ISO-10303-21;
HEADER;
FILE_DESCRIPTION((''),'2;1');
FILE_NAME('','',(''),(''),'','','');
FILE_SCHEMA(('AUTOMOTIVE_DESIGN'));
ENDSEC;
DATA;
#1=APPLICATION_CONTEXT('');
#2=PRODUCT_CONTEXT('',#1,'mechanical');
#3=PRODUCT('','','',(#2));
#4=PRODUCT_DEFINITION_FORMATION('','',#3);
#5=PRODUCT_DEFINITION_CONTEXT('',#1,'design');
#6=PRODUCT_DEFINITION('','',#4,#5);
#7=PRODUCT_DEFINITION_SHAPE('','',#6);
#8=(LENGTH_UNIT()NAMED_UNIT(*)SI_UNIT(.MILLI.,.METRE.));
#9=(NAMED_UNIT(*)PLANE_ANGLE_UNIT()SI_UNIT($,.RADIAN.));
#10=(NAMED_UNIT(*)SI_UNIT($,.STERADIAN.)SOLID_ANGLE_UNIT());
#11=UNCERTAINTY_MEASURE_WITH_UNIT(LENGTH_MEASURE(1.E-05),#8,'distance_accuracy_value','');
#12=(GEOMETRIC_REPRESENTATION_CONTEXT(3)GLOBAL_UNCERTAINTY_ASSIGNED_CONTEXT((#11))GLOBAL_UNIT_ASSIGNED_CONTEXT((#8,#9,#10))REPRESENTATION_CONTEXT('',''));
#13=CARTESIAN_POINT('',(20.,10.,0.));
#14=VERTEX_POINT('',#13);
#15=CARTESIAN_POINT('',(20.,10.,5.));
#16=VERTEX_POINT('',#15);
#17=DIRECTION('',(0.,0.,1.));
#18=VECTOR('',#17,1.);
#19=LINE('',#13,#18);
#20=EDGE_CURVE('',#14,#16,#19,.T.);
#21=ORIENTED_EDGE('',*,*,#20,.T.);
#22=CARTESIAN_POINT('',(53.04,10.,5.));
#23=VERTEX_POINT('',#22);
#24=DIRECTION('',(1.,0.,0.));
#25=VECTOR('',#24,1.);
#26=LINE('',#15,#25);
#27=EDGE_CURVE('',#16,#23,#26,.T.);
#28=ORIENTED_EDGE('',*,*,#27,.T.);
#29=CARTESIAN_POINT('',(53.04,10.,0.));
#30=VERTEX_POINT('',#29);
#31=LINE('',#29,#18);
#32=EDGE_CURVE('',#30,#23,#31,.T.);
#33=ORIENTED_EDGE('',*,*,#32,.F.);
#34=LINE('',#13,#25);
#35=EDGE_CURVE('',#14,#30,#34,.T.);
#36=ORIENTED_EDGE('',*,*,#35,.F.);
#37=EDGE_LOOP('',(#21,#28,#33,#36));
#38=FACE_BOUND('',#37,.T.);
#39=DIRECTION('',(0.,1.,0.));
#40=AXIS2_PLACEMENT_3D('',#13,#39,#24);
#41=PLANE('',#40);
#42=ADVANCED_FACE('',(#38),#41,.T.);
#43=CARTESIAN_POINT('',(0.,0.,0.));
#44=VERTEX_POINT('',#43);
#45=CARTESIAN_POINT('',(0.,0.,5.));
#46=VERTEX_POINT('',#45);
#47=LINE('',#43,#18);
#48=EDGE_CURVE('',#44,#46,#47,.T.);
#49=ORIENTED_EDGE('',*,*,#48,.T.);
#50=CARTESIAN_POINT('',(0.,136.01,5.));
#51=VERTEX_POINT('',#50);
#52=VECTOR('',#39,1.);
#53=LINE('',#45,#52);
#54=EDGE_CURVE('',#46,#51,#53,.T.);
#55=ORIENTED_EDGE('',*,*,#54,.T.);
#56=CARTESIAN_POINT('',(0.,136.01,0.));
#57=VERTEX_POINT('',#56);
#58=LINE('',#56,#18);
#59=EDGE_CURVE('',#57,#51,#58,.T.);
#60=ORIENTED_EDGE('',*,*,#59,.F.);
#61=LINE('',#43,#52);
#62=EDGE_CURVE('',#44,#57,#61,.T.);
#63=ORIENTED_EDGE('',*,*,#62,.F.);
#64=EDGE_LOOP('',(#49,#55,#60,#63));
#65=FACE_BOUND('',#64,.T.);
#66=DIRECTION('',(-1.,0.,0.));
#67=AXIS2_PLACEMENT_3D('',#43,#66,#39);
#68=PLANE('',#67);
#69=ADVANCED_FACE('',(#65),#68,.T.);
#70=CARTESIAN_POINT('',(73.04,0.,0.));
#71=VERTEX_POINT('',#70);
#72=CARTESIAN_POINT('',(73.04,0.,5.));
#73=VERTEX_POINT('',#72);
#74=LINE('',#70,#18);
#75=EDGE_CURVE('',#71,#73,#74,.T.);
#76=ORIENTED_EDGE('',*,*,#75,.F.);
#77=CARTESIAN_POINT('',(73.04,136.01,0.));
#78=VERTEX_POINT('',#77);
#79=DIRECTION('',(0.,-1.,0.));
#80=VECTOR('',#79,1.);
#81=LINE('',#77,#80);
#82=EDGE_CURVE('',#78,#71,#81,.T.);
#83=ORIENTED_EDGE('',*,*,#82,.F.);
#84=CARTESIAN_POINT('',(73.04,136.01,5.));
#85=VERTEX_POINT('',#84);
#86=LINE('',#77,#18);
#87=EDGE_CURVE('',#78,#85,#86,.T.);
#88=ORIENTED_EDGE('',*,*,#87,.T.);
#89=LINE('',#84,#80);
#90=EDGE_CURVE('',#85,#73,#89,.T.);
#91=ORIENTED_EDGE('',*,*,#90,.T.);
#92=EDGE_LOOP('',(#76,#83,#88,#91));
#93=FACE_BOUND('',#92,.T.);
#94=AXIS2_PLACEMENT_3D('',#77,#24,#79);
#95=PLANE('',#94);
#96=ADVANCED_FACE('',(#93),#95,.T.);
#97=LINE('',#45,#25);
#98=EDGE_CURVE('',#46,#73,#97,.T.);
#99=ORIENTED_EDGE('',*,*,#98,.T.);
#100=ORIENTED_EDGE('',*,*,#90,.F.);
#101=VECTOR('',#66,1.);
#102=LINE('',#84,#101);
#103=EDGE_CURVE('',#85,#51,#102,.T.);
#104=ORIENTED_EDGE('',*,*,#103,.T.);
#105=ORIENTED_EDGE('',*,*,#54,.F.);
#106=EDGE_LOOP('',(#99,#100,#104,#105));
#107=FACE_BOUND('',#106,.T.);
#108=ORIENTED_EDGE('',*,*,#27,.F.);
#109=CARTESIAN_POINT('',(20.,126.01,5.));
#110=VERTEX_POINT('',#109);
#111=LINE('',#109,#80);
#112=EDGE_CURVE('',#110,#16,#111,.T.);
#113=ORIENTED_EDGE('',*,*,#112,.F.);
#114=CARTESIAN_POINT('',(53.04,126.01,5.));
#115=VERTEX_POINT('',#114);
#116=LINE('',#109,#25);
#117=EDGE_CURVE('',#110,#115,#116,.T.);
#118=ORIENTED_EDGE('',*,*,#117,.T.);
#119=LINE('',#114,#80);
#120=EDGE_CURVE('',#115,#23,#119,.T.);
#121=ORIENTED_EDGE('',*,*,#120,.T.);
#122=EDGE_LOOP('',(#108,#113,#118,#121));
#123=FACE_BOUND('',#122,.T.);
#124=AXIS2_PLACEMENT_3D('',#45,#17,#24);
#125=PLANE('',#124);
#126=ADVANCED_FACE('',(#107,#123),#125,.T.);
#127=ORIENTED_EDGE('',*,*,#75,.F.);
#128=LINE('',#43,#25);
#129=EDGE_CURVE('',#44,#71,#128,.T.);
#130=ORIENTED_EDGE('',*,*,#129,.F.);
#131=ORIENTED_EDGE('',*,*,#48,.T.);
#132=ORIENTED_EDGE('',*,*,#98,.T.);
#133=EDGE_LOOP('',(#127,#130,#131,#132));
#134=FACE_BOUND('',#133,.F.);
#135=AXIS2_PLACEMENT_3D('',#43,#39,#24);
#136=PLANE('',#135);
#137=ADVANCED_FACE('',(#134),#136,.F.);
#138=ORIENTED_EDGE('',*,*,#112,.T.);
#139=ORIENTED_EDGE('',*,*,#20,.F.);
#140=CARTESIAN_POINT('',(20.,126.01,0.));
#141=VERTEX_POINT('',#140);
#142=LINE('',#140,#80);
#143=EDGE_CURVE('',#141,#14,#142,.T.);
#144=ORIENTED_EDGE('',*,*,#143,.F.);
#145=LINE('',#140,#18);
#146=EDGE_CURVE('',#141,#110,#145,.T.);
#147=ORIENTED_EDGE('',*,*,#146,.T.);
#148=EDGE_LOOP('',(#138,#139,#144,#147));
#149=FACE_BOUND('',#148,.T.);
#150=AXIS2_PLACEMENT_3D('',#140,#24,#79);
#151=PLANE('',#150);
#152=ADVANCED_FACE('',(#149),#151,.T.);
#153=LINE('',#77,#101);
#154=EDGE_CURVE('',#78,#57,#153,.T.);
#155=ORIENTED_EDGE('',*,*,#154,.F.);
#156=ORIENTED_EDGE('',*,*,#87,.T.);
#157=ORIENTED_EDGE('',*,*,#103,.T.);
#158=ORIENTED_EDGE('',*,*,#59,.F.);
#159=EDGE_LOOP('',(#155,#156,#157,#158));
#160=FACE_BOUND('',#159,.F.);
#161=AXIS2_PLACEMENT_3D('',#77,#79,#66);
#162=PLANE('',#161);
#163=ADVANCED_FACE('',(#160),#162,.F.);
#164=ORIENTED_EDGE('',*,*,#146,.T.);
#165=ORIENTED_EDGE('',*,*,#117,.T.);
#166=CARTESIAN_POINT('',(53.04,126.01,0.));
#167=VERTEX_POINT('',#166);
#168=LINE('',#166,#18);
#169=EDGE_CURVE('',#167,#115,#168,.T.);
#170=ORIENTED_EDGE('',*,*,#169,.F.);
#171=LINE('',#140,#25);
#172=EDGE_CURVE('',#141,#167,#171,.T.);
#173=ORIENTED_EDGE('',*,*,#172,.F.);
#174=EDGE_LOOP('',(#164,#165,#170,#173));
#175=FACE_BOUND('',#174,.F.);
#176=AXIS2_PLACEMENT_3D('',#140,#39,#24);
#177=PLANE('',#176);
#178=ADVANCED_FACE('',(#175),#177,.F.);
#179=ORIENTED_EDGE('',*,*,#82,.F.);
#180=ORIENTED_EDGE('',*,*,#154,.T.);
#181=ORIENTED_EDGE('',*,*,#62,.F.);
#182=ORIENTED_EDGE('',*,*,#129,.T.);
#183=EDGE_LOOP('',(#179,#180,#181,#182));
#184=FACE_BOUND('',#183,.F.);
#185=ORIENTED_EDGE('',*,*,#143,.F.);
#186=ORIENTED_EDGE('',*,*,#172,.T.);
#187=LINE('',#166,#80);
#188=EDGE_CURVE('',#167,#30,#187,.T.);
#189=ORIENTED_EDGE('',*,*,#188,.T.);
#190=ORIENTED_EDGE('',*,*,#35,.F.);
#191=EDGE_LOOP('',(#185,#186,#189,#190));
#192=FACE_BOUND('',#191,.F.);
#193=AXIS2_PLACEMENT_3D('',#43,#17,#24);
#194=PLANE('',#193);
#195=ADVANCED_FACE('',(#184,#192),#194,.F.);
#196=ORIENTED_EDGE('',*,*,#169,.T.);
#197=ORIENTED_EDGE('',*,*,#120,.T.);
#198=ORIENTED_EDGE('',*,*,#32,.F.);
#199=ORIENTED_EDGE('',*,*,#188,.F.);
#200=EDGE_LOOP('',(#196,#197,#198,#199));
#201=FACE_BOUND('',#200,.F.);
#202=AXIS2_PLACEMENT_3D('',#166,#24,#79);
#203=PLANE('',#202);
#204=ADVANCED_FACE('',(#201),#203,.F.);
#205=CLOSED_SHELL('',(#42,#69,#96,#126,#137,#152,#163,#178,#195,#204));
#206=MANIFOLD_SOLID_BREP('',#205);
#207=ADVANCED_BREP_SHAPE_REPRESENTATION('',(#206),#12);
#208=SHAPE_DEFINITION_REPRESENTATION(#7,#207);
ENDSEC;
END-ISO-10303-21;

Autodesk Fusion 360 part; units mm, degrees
sketch "Sketch1" plane through (0, 0, 0) normal (0, 0, 1) x (1, 0, 0)
  line L0 (0, 0) -> (73.04, 0)
  line L1 (0, 0) -> (0, 136.01)
  line L2 (73.04, 136.01) -> (0, 136.01)
  line L3 (73.04, 136.01) -> (73.04, 0)
  line L4 (20, 126.01) -> (53.04, 126.01)
  line L5 (53.04, 126.01) -> (53.04, 10)
  line L6 (20, 126.01) -> (20, 10)
  line L7 (20, 10) -> (53.04, 10)
  dimension "d1" = 73.04
  dimension "d2" = 136.01
  dimension "d4" = 33.04
  dimension "d5" = 116.01
extrude "Extrude1" add sketch "Sketch1" along normal blind 5
